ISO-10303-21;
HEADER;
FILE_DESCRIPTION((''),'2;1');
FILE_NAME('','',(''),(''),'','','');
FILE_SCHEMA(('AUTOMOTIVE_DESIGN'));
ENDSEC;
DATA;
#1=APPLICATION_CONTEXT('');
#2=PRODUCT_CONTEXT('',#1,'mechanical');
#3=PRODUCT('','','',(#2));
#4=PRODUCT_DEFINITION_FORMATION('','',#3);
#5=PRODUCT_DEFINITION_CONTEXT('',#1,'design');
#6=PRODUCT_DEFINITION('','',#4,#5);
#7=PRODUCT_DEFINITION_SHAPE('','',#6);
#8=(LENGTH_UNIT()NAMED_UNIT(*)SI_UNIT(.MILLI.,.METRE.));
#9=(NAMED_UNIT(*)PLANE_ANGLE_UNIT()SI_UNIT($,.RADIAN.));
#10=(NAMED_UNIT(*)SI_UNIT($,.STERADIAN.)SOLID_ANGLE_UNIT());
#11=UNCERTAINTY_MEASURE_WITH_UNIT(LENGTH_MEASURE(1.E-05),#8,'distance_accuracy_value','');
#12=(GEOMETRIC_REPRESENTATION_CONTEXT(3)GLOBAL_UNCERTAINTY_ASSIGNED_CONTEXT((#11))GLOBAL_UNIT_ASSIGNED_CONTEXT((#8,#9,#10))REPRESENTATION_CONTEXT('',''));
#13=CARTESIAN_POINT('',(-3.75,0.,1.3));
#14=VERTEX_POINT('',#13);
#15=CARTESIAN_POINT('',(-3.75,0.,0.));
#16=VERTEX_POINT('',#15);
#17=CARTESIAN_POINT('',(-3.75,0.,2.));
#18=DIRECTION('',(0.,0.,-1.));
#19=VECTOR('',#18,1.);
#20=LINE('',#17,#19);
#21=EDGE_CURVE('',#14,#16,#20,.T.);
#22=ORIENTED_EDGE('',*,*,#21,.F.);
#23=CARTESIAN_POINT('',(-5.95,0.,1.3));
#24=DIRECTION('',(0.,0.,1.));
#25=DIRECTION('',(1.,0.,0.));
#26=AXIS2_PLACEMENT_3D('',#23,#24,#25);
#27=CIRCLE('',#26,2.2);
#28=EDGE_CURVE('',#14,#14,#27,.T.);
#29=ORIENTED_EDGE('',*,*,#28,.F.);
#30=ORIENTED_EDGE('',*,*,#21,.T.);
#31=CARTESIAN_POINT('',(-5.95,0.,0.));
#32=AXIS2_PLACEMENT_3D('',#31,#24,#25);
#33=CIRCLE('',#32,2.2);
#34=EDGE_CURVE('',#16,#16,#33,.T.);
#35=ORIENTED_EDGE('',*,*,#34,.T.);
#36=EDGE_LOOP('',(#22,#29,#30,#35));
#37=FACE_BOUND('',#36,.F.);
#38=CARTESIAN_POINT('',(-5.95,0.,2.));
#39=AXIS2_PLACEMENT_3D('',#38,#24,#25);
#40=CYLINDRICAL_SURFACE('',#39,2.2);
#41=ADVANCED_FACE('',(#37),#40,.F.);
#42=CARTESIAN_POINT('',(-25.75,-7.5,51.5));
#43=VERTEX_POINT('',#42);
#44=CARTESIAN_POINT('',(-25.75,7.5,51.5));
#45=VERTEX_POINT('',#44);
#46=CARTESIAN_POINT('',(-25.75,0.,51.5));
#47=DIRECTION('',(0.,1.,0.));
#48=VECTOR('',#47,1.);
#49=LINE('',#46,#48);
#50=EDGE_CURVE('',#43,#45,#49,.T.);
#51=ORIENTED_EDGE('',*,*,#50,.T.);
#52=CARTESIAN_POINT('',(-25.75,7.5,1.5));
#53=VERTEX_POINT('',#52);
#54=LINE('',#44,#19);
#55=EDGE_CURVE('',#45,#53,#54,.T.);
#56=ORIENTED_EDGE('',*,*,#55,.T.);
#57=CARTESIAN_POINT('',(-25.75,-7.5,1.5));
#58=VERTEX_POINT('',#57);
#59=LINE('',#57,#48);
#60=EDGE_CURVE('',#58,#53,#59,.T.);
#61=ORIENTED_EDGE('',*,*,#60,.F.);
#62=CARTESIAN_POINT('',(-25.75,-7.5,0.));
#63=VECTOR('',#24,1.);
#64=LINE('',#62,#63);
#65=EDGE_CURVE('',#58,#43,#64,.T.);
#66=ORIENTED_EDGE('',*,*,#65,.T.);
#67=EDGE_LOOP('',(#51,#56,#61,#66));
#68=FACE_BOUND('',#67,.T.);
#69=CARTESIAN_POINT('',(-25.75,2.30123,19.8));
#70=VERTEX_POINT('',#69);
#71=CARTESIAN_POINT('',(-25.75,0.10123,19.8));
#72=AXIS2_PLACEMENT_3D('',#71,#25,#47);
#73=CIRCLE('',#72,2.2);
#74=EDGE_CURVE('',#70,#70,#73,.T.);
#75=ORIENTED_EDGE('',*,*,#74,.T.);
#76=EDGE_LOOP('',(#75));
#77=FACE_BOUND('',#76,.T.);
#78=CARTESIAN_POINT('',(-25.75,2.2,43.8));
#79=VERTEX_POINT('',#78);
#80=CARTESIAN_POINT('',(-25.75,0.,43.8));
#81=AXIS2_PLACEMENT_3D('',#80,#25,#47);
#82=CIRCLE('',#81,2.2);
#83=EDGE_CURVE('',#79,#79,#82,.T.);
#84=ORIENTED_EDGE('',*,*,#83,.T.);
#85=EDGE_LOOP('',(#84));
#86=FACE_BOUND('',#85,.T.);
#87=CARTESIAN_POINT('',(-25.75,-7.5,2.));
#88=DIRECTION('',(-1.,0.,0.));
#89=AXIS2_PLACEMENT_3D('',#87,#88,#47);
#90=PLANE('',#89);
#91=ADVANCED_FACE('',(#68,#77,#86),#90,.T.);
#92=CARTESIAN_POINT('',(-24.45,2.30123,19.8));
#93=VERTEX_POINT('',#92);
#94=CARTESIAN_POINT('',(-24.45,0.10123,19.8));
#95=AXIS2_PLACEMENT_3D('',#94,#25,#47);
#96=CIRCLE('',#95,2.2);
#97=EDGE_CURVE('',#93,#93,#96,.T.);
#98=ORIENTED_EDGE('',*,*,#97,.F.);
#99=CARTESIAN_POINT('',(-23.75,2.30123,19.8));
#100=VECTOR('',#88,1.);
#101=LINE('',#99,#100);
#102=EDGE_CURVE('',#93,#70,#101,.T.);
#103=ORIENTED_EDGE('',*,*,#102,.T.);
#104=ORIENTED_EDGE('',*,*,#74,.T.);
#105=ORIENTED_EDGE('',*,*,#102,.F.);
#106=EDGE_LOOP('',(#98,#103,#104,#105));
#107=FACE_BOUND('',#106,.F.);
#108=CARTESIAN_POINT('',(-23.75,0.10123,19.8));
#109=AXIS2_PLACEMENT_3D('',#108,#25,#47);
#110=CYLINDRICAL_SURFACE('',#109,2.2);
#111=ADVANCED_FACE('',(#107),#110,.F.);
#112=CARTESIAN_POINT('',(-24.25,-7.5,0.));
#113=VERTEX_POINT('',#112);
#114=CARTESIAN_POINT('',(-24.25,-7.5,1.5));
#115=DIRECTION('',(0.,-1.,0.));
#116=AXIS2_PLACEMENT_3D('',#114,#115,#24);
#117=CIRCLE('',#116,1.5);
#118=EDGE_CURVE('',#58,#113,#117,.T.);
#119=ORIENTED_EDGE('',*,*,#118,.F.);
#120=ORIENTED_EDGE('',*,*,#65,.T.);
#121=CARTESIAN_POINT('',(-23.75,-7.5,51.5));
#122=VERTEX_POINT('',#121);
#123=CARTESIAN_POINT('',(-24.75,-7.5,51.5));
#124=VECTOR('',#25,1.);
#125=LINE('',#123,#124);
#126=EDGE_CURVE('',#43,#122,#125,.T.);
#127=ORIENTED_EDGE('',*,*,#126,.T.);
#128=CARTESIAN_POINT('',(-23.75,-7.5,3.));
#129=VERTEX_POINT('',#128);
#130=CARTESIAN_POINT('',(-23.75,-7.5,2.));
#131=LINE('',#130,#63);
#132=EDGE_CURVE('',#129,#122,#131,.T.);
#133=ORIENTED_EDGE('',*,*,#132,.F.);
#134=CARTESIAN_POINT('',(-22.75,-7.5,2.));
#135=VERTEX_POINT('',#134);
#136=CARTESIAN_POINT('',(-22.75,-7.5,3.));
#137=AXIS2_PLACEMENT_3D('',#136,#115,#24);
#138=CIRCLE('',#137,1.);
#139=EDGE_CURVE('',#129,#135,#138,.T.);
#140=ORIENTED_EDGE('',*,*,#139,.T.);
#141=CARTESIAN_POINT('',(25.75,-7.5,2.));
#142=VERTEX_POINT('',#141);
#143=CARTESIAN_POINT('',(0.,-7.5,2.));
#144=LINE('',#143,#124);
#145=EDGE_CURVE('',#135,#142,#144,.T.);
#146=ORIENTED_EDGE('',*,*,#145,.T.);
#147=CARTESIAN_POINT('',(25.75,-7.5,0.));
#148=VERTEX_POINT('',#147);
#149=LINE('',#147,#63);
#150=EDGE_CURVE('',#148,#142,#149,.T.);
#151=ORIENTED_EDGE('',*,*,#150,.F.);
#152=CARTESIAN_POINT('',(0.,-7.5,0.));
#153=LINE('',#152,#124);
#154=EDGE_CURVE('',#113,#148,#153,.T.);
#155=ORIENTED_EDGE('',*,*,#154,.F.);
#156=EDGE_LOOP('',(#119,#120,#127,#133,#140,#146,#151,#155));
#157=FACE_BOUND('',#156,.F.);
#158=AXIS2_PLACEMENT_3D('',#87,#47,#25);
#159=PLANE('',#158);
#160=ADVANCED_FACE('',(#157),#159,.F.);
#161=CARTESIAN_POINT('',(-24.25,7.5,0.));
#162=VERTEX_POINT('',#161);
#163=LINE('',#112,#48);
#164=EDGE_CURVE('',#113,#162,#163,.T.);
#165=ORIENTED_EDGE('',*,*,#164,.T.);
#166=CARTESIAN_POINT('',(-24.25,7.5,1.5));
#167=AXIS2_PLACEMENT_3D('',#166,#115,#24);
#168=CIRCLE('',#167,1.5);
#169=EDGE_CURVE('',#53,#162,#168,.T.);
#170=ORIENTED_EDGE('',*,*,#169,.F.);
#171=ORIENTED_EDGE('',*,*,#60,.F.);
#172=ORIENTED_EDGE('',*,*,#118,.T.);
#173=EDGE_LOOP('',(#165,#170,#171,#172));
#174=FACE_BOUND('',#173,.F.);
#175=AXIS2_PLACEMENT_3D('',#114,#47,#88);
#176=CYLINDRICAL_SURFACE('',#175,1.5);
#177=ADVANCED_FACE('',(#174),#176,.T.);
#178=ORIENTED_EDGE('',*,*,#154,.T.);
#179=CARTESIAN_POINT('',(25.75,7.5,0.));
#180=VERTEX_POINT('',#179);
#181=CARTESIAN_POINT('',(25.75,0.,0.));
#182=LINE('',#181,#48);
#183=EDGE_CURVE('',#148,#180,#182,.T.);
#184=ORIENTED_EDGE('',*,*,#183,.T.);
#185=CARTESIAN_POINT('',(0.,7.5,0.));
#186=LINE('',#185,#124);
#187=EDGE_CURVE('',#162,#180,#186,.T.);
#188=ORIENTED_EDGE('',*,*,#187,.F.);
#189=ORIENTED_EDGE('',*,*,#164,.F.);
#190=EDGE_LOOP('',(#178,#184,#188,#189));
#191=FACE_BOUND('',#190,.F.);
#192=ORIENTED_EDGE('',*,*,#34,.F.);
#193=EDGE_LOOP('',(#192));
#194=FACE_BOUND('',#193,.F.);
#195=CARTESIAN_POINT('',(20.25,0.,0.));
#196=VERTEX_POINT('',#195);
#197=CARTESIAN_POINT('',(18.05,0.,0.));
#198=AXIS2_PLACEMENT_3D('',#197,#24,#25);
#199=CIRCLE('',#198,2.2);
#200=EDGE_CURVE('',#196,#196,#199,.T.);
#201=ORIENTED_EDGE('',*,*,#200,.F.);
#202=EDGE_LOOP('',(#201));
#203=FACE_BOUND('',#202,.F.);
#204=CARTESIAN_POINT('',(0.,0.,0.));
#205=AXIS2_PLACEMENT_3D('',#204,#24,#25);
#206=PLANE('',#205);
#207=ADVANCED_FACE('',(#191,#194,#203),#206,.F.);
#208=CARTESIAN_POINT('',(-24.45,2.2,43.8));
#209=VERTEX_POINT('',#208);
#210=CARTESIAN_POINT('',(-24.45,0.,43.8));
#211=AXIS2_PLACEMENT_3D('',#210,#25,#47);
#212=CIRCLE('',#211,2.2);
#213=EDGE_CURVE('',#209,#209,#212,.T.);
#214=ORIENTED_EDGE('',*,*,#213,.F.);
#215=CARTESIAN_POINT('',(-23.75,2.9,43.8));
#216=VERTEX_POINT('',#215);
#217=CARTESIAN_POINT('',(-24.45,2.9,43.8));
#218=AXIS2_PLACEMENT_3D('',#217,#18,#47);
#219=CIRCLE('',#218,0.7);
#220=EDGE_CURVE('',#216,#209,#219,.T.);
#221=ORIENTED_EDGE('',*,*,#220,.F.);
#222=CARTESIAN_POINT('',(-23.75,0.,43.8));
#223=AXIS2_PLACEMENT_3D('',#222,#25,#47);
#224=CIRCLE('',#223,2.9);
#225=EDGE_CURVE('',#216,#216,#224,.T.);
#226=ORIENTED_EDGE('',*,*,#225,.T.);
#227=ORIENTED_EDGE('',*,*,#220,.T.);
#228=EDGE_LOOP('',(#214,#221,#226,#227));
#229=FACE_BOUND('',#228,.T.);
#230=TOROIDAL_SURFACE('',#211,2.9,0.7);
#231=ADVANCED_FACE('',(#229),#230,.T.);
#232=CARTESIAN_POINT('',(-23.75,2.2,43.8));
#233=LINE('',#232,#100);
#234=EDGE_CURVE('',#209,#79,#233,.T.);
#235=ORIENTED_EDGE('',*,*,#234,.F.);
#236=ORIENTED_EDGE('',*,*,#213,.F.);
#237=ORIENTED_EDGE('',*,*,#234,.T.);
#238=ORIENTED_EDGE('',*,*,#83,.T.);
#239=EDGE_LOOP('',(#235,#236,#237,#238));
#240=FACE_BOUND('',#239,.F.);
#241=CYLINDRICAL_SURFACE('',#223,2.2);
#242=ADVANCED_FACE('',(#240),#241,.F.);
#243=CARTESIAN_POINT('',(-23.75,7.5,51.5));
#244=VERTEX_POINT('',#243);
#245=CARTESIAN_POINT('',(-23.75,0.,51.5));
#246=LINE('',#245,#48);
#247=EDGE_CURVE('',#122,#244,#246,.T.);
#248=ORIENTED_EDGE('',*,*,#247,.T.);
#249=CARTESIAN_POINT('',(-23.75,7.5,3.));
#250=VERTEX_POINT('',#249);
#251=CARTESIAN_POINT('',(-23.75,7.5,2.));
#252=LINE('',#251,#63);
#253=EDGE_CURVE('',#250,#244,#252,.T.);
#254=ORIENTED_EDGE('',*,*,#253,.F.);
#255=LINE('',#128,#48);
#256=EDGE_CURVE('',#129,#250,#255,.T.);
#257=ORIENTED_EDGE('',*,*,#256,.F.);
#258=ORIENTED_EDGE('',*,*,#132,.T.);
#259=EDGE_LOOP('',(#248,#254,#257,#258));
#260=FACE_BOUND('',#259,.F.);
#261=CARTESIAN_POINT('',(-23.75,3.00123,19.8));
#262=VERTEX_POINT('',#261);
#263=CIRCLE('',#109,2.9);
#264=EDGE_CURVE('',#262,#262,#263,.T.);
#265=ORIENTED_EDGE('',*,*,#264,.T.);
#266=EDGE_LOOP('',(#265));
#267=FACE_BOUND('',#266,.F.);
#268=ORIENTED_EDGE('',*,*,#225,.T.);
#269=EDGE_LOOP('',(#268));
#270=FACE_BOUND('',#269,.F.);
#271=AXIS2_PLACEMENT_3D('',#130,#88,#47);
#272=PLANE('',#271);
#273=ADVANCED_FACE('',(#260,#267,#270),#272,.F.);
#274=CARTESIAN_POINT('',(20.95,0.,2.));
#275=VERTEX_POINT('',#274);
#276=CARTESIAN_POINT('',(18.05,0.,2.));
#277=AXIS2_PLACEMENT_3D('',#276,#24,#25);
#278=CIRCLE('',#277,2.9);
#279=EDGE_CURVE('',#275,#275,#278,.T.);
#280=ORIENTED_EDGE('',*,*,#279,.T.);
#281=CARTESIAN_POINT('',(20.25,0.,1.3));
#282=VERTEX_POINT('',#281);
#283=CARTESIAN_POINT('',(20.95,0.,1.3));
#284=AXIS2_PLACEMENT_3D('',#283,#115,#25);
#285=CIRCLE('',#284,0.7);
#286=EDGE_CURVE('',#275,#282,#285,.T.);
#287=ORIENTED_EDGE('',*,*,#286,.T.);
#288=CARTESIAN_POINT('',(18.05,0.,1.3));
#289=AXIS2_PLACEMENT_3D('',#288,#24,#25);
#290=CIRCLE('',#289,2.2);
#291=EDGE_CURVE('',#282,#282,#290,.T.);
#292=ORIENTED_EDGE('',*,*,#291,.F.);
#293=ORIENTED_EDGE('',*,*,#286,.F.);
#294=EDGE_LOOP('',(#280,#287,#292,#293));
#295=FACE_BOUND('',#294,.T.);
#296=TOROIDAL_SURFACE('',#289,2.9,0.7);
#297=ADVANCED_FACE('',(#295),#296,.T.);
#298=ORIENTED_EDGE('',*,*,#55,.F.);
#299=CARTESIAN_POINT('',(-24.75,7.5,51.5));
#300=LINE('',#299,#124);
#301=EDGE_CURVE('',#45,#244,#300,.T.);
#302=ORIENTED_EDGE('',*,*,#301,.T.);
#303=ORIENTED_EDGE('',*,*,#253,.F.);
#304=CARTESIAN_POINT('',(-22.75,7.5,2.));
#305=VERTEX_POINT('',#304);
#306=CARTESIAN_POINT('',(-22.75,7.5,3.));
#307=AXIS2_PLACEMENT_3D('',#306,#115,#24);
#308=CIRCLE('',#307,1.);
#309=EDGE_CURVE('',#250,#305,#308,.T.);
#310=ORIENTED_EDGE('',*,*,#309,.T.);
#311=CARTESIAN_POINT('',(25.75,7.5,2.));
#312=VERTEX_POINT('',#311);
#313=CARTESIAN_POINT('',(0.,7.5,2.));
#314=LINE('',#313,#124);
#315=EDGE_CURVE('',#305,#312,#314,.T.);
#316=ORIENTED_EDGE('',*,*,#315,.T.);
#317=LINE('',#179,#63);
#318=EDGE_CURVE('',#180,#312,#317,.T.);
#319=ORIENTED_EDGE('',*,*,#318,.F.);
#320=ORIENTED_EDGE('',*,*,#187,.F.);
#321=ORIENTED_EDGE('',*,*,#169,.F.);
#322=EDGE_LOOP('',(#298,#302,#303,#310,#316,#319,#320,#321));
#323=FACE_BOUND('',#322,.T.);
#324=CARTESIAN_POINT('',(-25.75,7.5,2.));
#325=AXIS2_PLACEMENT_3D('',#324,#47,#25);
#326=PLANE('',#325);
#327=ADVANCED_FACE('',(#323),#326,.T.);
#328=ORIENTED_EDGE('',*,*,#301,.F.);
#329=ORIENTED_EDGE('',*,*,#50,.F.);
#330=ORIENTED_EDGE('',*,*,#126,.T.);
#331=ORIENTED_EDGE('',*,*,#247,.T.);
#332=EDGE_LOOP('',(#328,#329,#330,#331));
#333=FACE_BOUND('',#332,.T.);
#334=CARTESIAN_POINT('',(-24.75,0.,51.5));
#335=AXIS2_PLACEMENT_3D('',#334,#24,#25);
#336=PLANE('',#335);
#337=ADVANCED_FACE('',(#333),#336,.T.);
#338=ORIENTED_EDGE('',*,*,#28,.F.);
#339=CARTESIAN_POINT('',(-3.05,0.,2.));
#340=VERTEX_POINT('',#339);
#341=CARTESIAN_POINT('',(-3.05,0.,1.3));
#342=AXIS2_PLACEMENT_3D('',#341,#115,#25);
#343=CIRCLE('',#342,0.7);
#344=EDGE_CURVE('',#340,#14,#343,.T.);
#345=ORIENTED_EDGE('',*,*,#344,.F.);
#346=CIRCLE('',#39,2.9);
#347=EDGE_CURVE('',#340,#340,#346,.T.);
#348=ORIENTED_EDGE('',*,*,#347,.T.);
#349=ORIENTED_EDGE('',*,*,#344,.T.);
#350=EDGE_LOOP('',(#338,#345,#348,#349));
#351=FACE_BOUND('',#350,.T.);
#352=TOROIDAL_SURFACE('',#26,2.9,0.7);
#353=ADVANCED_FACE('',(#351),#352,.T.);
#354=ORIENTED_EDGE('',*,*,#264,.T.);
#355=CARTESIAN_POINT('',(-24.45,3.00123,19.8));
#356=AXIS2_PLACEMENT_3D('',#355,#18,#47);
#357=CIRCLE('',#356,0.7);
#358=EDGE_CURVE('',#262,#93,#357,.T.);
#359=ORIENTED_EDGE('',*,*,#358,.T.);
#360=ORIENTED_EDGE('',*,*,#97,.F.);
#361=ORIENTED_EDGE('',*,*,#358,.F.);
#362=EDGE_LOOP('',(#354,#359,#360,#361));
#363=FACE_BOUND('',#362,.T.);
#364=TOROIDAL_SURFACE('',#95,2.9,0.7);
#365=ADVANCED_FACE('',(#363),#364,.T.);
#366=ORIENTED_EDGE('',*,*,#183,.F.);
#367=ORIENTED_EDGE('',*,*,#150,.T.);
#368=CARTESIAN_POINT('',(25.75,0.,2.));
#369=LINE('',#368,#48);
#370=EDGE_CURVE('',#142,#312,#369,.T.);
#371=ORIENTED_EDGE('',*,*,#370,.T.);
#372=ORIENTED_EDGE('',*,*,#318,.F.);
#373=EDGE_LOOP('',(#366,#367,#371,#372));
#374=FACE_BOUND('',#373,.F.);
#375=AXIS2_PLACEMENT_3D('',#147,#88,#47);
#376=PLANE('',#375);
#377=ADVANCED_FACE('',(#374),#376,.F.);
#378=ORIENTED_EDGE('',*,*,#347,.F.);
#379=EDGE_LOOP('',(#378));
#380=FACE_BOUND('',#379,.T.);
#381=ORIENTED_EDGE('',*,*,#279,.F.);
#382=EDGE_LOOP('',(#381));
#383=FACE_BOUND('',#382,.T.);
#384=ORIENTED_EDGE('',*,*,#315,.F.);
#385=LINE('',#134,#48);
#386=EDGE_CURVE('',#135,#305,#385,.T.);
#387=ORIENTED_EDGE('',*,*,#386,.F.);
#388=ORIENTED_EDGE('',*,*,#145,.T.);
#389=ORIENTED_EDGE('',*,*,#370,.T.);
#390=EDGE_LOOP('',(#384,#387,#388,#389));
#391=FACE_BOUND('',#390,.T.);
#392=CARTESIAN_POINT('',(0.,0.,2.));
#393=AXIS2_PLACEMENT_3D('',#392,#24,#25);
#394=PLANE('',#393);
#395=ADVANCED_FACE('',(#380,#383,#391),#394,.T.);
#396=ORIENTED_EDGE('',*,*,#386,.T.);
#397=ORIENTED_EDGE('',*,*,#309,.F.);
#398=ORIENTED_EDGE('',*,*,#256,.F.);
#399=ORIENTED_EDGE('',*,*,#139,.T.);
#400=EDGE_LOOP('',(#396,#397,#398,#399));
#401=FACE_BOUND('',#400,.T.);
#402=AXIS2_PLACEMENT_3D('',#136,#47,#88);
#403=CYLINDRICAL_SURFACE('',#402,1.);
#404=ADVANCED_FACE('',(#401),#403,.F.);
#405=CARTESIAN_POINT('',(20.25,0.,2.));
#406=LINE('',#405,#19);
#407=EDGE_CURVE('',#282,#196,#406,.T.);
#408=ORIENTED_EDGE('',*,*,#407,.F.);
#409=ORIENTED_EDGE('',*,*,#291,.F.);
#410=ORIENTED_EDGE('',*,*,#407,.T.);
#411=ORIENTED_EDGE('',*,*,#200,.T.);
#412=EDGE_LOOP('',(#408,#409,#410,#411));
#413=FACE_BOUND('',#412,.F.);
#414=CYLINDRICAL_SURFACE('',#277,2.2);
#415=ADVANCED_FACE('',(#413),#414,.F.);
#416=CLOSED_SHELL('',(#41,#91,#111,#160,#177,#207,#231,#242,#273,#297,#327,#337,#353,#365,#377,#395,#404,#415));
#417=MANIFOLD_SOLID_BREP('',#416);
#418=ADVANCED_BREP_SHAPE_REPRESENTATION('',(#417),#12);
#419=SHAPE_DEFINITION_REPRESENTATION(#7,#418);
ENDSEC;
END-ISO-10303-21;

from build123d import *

# Parameters (mm, degrees)
SKETCH_W        = 51.5
SKETCH_H        = 15
PAD_DEPTH       = 2
SKETCH001_W     = 2
SKETCH001_H     = 15
PAD001_DEPTH    = 49.5
FILLET_R        = 1.5
FILLET001_R     = 1
SKETCH002_R     = 2.2
POCKET_DEPTH    = 2.001
FILLET002_R     = 0.7
SKETCH003_R     = 2.2
POCKET001_DEPTH = 2.001
FILLET003_R     = 0.7


with BuildPart() as part:
    # Sketch → Pad (new body)
    with BuildSketch(Plane.XY):
        Rectangle(SKETCH_W, SKETCH_H)
    extrude(amount=PAD_DEPTH)

    # Sketch001 (on Face6 of Pad) → Pad001 (join)
    with BuildSketch(Plane.XY.offset(2)):
        with Locations((-24.75, 0)):
            Rectangle(SKETCH001_W, SKETCH001_H)
    extrude(amount=PAD001_DEPTH)

    # Fillet
    fillet_edges = [part.edges().sort_by_distance(p)[0] for p in [
        (-25.75, 0, 0),
    ]]
    fillet(fillet_edges, radius=FILLET_R)

    # Fillet001
    fillet001_edges = [part.edges().sort_by_distance(p)[0] for p in [
        (-23.75, 0, 2),
    ]]
    fillet(fillet001_edges, radius=FILLET001_R)

    # Sketch002 (on Face2 of Fillet001) → Pocket (cut, through all)
    with BuildSketch(Plane.XY.offset(2)):
        with Locations((18.05, 0)):
            Circle(SKETCH002_R)
        with Locations((-5.95, 0)):
            Circle(SKETCH002_R)
    extrude(amount=-POCKET_DEPTH, mode=Mode.SUBTRACT)

    # Fillet002
    fillet002_edges = [part.edges().sort_by_distance(p)[0] for p in [
        (15.85, 0, 2),
        (-8.15, 0, 2),
    ]]
    fillet(fillet002_edges, radius=FILLET002_R)

    # Sketch003 (on Face14 of Fillet002) → Pocket001 (cut, through all)
    with BuildSketch(Plane.YZ.offset(-23.75)):
        with Locations((0, 43.8)):
            Circle(SKETCH003_R)
        with Locations((0.10123, 19.8)):
            Circle(SKETCH003_R)
    extrude(amount=-POCKET001_DEPTH, mode=Mode.SUBTRACT)

    # Fillet003
    fillet003_edges = [part.edges().sort_by_distance(p)[0] for p in [
        (-23.75, -2.2, 43.8),
        (-23.75, -2.09877, 19.8),
    ]]
    fillet(fillet003_edges, radius=FILLET003_R)


solid = part.part
